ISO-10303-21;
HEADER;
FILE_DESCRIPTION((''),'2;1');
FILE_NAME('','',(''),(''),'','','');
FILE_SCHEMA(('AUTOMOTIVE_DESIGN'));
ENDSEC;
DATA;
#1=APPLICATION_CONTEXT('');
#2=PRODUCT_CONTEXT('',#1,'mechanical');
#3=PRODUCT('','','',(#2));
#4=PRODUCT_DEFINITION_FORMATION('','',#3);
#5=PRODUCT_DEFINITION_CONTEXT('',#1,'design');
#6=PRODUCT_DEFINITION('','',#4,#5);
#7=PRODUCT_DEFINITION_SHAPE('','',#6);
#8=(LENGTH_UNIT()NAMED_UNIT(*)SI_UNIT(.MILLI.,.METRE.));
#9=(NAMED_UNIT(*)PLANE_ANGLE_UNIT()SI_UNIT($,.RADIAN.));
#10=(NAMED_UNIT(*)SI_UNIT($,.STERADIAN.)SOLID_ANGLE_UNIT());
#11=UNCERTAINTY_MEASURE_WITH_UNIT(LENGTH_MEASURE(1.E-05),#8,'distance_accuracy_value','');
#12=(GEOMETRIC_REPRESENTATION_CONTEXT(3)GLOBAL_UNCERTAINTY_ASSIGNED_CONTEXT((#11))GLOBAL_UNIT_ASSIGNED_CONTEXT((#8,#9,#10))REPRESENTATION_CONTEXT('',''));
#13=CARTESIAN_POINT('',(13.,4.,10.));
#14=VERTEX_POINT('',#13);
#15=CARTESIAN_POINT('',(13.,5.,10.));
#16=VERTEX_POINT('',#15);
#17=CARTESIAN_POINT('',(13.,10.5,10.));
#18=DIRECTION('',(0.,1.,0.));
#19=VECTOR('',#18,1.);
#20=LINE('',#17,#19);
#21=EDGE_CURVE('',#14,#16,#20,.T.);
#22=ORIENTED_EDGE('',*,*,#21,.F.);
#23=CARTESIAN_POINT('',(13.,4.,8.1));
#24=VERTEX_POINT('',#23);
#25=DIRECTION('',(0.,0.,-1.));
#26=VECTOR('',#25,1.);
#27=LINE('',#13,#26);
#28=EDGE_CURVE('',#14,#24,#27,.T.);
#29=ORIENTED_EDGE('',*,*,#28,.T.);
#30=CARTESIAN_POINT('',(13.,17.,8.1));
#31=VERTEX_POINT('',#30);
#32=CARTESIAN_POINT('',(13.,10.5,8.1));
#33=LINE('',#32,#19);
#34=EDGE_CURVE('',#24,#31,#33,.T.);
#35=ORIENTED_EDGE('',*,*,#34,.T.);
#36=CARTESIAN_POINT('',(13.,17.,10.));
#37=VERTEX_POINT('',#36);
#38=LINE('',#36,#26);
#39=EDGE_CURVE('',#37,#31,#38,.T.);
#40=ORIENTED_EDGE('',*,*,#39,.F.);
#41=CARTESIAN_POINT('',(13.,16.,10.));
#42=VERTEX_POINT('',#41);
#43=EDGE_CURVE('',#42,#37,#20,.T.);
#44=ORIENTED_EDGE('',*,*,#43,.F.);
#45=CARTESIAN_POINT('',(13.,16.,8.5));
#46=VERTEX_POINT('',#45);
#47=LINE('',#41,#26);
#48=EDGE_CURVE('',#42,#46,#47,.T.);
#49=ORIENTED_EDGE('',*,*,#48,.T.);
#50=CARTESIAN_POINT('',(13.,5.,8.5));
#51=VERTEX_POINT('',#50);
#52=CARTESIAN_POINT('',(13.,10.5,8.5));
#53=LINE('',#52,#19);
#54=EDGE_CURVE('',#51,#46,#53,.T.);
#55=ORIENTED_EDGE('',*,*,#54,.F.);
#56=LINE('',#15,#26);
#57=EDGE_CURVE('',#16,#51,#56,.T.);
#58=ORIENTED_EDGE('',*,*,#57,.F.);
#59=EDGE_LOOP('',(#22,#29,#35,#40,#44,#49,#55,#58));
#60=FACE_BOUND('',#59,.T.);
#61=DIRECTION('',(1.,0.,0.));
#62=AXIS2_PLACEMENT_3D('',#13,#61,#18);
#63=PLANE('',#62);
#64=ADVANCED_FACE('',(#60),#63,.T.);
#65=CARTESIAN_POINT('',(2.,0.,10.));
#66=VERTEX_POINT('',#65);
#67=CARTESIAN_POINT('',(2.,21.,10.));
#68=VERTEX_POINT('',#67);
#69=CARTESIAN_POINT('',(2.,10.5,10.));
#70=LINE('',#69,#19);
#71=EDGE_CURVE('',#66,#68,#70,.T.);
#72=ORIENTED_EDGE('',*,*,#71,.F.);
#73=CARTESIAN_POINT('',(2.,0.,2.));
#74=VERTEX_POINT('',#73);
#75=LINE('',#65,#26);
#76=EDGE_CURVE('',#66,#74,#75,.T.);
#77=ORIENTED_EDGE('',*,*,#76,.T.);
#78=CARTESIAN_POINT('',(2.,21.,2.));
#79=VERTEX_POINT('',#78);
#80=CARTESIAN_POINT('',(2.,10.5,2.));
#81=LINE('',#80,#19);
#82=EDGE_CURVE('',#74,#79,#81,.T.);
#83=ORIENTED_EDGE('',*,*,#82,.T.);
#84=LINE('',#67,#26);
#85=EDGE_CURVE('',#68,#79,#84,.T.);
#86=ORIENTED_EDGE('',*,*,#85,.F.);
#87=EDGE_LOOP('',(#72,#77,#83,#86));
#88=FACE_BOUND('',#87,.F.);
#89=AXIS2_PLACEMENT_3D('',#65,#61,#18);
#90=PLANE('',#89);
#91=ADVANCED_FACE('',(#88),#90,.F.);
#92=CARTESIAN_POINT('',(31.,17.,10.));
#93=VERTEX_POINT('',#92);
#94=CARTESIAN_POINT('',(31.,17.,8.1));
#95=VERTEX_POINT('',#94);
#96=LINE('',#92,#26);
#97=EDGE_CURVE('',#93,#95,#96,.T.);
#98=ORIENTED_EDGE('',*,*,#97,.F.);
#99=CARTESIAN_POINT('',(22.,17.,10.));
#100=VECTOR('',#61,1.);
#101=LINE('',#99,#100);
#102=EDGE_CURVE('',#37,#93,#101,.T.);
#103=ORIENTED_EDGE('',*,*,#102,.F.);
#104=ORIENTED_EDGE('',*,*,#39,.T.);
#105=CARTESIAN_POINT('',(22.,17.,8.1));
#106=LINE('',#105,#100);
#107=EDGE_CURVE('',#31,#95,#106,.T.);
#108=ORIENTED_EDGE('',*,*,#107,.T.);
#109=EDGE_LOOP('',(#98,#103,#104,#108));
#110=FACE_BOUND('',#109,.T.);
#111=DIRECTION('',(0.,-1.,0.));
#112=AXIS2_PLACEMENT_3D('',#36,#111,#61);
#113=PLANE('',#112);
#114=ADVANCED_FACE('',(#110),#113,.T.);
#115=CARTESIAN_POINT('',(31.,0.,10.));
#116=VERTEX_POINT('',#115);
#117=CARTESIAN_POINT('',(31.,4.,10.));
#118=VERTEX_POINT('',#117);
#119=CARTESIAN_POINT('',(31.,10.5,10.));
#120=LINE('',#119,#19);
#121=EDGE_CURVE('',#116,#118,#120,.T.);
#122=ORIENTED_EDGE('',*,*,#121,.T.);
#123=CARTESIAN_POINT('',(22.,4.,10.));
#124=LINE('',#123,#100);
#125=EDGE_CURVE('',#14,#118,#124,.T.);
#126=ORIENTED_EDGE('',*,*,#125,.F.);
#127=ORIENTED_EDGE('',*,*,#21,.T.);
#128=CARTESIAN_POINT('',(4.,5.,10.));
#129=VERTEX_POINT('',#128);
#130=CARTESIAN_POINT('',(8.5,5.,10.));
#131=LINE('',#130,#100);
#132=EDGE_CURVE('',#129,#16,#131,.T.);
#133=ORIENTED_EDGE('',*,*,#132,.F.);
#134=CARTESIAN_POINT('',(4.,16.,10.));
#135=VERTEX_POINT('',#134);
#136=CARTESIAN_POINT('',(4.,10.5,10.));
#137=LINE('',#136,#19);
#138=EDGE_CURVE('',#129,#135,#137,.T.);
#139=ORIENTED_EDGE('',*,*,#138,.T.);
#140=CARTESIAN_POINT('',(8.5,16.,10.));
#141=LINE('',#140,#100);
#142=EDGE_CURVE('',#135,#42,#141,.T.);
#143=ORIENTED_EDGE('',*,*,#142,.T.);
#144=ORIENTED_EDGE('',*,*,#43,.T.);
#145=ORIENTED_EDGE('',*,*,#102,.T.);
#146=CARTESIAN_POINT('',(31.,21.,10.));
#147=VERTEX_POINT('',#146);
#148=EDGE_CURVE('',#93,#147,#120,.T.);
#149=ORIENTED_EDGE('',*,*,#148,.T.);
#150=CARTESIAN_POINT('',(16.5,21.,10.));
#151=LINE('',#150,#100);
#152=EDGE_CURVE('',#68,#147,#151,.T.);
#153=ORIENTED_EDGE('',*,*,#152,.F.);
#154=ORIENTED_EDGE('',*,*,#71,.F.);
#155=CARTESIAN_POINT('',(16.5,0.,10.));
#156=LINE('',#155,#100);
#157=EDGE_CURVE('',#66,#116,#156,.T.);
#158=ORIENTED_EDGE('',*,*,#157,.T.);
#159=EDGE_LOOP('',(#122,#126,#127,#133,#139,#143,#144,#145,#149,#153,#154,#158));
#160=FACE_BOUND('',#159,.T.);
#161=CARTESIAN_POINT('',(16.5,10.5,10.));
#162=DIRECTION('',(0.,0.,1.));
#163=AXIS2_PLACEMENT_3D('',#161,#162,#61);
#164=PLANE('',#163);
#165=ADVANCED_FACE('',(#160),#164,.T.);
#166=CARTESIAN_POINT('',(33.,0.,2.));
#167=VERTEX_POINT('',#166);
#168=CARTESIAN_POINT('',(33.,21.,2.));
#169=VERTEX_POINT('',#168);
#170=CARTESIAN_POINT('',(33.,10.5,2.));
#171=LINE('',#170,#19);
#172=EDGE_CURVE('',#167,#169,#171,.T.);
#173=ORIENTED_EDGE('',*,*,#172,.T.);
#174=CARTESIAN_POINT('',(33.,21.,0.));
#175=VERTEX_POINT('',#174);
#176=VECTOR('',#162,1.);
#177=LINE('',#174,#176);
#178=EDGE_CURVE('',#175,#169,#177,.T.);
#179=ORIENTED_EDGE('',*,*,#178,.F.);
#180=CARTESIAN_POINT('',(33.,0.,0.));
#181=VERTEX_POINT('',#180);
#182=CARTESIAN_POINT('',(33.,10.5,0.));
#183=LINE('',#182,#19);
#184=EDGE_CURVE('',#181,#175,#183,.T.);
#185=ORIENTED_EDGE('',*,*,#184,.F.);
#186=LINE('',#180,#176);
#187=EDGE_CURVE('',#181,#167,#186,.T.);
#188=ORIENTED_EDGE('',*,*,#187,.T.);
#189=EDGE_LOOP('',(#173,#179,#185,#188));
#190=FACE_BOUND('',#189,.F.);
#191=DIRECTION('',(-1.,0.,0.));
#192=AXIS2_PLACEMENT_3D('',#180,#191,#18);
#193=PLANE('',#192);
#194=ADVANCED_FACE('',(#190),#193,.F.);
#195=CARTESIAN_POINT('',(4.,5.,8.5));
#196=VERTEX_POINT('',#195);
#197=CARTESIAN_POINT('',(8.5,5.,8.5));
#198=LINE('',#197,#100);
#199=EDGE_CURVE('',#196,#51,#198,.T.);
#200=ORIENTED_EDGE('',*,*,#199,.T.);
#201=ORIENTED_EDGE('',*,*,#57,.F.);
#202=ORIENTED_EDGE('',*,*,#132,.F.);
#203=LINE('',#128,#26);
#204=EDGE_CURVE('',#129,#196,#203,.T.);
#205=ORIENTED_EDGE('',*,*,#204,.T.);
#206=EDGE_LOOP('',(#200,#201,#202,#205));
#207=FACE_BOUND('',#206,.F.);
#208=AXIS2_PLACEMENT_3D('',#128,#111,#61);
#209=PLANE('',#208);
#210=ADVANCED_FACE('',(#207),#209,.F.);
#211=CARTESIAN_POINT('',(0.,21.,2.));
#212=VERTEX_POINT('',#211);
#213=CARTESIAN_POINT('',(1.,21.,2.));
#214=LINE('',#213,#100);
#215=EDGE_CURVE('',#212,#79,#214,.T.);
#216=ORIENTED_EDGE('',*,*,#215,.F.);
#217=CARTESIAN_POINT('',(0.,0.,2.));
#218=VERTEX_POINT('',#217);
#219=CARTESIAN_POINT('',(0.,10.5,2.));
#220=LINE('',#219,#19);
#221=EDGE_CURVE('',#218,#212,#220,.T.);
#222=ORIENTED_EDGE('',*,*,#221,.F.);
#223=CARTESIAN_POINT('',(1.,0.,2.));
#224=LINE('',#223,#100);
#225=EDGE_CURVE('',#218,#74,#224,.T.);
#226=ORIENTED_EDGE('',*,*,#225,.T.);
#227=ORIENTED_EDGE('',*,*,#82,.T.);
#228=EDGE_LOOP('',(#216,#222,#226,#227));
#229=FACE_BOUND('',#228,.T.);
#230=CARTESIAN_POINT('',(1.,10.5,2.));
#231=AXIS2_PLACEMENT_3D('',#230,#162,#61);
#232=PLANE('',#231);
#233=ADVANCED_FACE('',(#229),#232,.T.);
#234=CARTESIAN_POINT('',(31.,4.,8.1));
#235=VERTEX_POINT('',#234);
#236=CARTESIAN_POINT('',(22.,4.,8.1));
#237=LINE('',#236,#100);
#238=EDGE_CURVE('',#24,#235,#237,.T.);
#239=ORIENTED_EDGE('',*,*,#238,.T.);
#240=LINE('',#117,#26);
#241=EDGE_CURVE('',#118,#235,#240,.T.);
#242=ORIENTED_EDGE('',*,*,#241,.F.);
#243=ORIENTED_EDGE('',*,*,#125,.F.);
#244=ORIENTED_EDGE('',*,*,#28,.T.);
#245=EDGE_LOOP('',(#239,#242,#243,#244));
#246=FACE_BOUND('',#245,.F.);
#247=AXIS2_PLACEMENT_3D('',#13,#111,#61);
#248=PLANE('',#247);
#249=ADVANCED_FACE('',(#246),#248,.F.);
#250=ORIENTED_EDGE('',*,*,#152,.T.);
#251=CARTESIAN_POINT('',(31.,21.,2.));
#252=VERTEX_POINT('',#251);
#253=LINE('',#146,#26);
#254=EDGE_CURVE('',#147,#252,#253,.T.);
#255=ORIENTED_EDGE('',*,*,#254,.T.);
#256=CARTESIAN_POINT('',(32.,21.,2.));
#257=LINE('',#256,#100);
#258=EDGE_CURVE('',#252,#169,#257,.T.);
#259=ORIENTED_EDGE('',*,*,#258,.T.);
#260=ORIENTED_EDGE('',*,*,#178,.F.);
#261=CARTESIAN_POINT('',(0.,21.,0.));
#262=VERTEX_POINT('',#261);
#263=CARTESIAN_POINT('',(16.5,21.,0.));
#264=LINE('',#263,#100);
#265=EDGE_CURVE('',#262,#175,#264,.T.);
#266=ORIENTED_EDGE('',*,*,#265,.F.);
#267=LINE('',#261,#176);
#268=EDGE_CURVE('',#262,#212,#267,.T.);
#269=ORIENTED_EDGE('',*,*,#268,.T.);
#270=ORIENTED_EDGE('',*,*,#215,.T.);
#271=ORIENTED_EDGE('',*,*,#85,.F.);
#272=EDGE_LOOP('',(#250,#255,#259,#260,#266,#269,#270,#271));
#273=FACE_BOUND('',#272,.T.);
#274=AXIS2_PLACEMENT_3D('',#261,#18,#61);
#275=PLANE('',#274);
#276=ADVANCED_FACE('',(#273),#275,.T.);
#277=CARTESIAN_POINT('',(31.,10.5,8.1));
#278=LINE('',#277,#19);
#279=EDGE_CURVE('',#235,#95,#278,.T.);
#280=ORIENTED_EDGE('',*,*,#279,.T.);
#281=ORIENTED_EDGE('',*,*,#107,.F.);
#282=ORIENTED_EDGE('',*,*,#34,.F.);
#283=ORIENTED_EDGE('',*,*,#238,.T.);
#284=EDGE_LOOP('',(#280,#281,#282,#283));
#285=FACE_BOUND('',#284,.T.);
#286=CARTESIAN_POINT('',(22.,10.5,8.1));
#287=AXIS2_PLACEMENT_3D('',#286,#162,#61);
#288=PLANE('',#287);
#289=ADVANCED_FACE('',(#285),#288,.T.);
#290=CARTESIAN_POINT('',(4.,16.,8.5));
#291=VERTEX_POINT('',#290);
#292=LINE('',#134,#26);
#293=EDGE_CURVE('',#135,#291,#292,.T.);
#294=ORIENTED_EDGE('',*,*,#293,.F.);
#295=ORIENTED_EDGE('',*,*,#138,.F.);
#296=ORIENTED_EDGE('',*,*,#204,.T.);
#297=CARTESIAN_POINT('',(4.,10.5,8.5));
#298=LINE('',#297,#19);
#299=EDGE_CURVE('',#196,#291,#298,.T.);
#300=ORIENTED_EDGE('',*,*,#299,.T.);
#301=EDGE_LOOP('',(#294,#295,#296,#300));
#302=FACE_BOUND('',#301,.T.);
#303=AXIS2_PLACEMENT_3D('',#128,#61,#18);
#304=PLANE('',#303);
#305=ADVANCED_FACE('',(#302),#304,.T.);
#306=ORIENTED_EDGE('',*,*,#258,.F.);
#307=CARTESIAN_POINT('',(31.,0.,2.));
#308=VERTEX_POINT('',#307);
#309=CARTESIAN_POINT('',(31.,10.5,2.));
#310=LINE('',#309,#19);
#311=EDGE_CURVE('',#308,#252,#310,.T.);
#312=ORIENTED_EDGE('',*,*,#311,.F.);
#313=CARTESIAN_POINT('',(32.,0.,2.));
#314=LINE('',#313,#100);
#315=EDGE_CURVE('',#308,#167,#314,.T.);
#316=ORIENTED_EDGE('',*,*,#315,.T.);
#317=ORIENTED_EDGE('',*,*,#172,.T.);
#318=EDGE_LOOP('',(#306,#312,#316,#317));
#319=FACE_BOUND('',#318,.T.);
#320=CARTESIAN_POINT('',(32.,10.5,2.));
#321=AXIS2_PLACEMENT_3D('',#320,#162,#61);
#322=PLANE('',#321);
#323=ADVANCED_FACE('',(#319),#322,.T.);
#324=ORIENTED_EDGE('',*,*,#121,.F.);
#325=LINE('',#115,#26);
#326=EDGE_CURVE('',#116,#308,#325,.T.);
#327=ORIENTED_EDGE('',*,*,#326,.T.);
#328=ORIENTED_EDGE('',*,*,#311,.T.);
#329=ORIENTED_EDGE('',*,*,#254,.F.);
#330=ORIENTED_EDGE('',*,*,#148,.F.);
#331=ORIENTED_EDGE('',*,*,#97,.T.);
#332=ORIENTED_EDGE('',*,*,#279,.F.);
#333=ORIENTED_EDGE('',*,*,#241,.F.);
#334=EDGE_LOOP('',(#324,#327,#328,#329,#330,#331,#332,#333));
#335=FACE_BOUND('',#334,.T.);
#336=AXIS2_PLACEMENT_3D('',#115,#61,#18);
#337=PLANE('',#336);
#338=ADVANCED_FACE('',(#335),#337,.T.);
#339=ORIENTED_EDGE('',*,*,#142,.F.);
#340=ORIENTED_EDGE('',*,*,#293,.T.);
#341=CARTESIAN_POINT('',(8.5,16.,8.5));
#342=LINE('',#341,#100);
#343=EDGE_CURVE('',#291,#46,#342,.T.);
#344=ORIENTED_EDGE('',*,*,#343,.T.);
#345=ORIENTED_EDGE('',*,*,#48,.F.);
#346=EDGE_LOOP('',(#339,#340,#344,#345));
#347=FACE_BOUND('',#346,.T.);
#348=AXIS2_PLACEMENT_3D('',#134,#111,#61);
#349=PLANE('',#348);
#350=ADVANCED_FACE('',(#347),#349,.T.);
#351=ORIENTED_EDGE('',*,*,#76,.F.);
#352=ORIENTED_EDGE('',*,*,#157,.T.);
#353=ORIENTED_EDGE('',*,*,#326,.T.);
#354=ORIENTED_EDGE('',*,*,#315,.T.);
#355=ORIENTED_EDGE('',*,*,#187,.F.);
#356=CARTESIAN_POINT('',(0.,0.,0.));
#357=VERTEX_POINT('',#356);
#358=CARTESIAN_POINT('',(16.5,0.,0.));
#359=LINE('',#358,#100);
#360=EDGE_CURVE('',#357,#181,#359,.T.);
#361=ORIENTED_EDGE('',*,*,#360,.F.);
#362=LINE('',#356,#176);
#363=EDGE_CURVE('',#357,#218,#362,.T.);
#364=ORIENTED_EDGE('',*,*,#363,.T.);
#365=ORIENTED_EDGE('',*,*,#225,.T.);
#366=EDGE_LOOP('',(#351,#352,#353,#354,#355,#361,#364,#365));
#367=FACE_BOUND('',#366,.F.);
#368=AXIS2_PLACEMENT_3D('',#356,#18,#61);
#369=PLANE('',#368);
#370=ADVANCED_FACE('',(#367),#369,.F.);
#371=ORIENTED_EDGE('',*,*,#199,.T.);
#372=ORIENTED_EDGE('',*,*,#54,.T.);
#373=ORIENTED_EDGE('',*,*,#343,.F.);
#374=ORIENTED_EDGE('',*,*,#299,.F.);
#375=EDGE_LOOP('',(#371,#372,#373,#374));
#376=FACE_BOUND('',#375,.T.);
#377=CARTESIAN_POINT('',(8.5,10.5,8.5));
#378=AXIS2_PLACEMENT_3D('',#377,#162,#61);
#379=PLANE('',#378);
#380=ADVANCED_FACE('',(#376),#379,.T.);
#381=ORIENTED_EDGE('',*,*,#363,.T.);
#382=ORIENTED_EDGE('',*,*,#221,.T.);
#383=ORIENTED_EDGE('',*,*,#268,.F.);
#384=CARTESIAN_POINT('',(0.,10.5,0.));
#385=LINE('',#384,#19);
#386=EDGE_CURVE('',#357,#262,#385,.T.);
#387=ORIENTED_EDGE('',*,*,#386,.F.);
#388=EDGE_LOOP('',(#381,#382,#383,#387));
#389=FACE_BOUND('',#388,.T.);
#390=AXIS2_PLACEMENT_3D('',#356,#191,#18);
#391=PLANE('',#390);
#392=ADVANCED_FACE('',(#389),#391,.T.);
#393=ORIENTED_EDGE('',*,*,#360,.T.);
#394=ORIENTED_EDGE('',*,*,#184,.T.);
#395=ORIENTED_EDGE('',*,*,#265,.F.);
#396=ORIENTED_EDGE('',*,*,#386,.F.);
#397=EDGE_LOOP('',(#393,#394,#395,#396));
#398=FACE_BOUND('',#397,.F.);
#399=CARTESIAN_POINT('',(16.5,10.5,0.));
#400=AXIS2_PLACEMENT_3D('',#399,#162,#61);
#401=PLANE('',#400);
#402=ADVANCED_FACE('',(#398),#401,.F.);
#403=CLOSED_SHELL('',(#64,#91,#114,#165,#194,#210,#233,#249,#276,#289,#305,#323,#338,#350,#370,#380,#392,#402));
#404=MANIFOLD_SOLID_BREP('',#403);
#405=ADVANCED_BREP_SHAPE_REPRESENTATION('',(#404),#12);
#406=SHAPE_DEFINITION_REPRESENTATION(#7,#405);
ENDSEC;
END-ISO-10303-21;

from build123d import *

# Parameters (mm, degrees)
BOX_W           = 33
BOX_H           = 21
BOX_DEPTH       = 10
SKETCH_W        = 2
SKETCH_H        = 21
POCKET_DEPTH    = 8
SKETCH001_W     = 9
SKETCH001_H     = 11
POCKET001_DEPTH = 1.5
SKETCH002_W     = 18
SKETCH002_H     = 13
POCKET002_DEPTH = 1.9


with BuildPart() as part:
    # Box → Box (new body)
    with BuildSketch(Plane.XY):
        with Locations((16.5, 10.5)):
            Rectangle(BOX_W, BOX_H)
    extrude(amount=BOX_DEPTH)

    # Sketch → Pocket (cut)
    with BuildSketch(Plane.XY.offset(10)):
        with Locations((1, 10.5)):
            Rectangle(SKETCH_W, SKETCH_H)
        with Locations((32, 10.5)):
            Rectangle(SKETCH_W, SKETCH_H)
    extrude(amount=-POCKET_DEPTH, mode=Mode.SUBTRACT)

    # Sketch001 → Pocket001 (cut)
    with BuildSketch(Plane.XY.offset(10)):
        with Locations((8.5, 10.5)):
            Rectangle(SKETCH001_W, SKETCH001_H)
    extrude(amount=-POCKET001_DEPTH, mode=Mode.SUBTRACT)

    # Sketch002 → Pocket002 (cut)
    with BuildSketch(Plane.XY.offset(10)):
        with Locations((22, 10.5)):
            Rectangle(SKETCH002_W, SKETCH002_H)
    extrude(amount=-POCKET002_DEPTH, mode=Mode.SUBTRACT)


solid = part.part
